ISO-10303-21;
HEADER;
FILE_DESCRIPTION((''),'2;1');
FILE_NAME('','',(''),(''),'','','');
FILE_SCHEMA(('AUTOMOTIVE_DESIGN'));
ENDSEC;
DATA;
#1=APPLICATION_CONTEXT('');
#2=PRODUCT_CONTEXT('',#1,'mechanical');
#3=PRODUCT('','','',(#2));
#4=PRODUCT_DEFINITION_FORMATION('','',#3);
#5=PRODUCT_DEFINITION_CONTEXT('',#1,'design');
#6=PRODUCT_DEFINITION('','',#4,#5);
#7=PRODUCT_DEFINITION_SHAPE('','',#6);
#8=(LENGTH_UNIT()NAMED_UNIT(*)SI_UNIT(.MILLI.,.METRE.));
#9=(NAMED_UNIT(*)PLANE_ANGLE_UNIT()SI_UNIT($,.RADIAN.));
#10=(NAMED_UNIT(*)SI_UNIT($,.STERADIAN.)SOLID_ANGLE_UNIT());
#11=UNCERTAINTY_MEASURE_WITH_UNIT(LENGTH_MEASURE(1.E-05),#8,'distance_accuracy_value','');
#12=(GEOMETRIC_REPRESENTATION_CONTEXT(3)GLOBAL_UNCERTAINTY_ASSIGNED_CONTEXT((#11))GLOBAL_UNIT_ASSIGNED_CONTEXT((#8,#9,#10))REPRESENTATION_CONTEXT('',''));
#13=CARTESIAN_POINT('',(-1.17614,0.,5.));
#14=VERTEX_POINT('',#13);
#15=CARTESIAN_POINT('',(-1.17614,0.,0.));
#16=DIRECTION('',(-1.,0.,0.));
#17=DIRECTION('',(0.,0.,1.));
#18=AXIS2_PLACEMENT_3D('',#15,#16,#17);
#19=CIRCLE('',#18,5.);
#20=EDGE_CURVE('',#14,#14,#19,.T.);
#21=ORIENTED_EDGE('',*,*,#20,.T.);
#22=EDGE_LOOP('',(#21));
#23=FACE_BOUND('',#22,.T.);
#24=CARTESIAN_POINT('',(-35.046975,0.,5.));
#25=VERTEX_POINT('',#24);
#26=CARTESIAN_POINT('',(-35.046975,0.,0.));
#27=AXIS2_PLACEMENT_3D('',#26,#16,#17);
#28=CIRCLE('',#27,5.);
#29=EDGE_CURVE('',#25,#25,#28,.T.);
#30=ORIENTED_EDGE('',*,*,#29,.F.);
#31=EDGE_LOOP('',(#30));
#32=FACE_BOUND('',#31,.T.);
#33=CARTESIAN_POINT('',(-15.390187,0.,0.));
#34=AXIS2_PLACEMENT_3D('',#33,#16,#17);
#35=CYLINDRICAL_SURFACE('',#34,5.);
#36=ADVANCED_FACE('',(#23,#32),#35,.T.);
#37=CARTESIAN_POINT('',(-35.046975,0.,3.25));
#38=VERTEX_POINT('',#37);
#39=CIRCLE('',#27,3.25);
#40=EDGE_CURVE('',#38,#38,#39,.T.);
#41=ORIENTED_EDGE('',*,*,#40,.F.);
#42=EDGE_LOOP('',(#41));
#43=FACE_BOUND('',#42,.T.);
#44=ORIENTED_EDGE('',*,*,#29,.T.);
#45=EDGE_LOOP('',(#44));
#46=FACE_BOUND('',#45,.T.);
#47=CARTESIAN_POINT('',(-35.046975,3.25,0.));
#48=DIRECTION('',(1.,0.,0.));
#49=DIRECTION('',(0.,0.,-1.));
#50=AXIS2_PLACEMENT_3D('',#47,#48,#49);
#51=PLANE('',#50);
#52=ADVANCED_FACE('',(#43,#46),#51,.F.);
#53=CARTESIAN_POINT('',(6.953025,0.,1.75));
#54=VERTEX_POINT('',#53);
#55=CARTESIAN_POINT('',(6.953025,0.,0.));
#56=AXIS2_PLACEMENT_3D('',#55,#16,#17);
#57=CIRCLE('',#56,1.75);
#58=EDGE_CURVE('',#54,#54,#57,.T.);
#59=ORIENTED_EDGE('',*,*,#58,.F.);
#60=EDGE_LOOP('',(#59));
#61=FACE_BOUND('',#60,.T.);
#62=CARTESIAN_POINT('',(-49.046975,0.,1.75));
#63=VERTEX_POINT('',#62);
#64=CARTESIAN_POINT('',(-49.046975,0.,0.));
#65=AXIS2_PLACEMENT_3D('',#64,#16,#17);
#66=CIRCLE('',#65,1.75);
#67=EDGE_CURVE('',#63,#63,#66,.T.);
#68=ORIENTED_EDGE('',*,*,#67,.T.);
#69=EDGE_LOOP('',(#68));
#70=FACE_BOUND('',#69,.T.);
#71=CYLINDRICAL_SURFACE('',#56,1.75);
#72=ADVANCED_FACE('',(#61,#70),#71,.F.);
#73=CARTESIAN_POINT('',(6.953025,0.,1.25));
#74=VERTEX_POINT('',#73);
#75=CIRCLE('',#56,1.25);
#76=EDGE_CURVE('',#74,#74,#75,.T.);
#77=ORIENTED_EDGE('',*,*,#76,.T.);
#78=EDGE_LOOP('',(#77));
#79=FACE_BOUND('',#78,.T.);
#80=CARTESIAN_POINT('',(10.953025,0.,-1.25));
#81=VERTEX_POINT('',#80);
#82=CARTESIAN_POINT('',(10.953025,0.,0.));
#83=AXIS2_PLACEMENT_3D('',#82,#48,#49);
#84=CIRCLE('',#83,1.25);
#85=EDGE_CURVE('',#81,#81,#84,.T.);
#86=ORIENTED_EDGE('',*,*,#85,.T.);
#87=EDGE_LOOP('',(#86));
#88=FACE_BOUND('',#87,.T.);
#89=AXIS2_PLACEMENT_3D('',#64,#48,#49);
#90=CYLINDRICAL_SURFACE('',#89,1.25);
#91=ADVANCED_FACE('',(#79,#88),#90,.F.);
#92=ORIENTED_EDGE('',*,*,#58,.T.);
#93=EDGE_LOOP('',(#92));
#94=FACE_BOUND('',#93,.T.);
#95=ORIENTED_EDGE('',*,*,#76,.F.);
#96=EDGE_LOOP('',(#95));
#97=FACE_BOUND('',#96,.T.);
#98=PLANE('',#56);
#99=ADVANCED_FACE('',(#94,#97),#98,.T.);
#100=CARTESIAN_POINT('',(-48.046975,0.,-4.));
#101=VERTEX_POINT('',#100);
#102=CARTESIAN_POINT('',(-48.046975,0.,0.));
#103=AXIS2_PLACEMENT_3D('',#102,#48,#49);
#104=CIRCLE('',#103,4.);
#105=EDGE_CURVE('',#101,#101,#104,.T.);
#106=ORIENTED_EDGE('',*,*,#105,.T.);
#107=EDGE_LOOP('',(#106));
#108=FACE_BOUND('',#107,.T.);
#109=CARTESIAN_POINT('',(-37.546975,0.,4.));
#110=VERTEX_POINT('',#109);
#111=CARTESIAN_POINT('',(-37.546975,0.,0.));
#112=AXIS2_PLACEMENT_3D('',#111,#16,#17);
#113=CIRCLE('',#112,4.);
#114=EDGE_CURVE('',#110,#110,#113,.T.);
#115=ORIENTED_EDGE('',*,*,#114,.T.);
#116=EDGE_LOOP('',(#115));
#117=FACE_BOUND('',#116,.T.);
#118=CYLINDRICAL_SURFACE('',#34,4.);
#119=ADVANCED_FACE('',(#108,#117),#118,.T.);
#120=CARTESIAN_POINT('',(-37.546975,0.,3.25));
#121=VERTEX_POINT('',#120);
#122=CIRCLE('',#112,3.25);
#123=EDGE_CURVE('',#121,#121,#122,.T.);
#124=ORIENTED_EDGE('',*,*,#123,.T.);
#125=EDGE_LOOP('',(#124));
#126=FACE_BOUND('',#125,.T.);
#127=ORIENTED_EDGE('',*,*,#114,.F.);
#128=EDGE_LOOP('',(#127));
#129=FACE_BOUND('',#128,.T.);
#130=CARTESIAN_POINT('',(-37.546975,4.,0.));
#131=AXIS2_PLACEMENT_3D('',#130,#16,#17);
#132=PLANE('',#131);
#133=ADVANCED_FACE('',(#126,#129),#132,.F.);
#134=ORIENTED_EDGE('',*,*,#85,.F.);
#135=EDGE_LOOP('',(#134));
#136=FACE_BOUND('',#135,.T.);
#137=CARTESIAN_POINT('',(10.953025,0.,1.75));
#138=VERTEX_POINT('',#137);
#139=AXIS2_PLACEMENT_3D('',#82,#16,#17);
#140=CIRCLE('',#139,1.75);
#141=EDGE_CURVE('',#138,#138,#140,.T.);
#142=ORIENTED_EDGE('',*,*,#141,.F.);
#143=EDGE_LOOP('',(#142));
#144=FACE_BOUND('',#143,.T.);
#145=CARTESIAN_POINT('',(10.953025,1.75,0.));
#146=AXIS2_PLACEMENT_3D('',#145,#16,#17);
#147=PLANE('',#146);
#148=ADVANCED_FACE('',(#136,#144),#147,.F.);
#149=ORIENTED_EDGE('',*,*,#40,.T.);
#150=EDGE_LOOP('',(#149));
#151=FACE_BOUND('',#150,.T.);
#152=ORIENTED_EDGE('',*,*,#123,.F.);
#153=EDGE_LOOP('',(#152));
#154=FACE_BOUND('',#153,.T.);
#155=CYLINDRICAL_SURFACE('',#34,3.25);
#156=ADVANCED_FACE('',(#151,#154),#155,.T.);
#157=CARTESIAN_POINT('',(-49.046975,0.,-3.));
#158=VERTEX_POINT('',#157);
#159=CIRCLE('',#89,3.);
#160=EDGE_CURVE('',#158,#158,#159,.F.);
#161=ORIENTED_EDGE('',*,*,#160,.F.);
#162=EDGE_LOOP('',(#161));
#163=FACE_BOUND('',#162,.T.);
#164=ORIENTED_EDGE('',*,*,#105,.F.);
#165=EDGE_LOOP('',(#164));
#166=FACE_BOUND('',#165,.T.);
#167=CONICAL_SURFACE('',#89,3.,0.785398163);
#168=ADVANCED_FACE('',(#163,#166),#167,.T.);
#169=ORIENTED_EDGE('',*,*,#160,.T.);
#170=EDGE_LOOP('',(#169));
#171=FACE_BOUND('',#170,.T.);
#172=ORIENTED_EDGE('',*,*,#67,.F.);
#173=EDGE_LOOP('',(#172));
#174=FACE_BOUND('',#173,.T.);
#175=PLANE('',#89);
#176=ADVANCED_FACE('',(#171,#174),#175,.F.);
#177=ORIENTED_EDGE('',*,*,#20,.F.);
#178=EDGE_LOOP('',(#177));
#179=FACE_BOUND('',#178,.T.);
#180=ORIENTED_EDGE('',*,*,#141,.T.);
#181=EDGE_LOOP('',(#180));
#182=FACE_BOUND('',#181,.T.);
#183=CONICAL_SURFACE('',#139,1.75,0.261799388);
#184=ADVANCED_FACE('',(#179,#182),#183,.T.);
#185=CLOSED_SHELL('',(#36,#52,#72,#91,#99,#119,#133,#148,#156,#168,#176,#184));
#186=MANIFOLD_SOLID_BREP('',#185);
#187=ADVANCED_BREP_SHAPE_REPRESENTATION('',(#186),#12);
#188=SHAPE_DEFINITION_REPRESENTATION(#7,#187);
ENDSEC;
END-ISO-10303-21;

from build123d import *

# Parameters (mm, degrees)
SKETCH_2_R          = 1.75
CUT_EXTRUDE_2_DEPTH = 56
SKETCH_3_R          = 1.25
CUT_EXTRUDE_3_DEPTH = 61.415229868
CHAMFER_1_SIZE      = 1


with BuildPart() as part:
    # 草图1 → 旋转2 (revolve)
    with BuildSketch(Plane.XY, mode=Mode.PRIVATE) as revolve_2_sk:
        Polygon((-8.728334407, 0), (-49.046975166, 0), (-49.046975166, 4), (-37.546975166, 4), (-37.546975166, 3.25), (-35.046975166, 3.25), (-35.046975166, 5), (-1.17614029, 5), (10.953024834, 1.75), (10.953024834, 0), align=None)
    revolve(revolve_2_sk.sketch.rotate(Axis((-15.390186902, 0, 0), (1, 0, 0)), 90), axis=Axis((-15.390186902, 0, 0), (1, 0, 0)))

    # 草图2 → 切除-拉伸2 (cut)
    with BuildSketch(Plane.ZY.offset(49.046975166)):
        Circle(SKETCH_2_R)
    extrude(amount=-CUT_EXTRUDE_2_DEPTH, mode=Mode.SUBTRACT)

    # 草图3 → 切除-拉伸3 (cut, through all)
    with BuildSketch(Plane(origin=(10.953024834, 0, 0), x_dir=(0, 0, -1), z_dir=(1, 0, 0))):
        Circle(SKETCH_3_R)
    extrude(amount=-CUT_EXTRUDE_3_DEPTH, mode=Mode.SUBTRACT)

    # 倒角1
    chamfer_1_edges = [part.edges().sort_by_distance(p)[0] for p in [
        (-49.046975166, 0, -4),
    ]]
    chamfer(chamfer_1_edges, length=CHAMFER_1_SIZE)


solid = part.part
